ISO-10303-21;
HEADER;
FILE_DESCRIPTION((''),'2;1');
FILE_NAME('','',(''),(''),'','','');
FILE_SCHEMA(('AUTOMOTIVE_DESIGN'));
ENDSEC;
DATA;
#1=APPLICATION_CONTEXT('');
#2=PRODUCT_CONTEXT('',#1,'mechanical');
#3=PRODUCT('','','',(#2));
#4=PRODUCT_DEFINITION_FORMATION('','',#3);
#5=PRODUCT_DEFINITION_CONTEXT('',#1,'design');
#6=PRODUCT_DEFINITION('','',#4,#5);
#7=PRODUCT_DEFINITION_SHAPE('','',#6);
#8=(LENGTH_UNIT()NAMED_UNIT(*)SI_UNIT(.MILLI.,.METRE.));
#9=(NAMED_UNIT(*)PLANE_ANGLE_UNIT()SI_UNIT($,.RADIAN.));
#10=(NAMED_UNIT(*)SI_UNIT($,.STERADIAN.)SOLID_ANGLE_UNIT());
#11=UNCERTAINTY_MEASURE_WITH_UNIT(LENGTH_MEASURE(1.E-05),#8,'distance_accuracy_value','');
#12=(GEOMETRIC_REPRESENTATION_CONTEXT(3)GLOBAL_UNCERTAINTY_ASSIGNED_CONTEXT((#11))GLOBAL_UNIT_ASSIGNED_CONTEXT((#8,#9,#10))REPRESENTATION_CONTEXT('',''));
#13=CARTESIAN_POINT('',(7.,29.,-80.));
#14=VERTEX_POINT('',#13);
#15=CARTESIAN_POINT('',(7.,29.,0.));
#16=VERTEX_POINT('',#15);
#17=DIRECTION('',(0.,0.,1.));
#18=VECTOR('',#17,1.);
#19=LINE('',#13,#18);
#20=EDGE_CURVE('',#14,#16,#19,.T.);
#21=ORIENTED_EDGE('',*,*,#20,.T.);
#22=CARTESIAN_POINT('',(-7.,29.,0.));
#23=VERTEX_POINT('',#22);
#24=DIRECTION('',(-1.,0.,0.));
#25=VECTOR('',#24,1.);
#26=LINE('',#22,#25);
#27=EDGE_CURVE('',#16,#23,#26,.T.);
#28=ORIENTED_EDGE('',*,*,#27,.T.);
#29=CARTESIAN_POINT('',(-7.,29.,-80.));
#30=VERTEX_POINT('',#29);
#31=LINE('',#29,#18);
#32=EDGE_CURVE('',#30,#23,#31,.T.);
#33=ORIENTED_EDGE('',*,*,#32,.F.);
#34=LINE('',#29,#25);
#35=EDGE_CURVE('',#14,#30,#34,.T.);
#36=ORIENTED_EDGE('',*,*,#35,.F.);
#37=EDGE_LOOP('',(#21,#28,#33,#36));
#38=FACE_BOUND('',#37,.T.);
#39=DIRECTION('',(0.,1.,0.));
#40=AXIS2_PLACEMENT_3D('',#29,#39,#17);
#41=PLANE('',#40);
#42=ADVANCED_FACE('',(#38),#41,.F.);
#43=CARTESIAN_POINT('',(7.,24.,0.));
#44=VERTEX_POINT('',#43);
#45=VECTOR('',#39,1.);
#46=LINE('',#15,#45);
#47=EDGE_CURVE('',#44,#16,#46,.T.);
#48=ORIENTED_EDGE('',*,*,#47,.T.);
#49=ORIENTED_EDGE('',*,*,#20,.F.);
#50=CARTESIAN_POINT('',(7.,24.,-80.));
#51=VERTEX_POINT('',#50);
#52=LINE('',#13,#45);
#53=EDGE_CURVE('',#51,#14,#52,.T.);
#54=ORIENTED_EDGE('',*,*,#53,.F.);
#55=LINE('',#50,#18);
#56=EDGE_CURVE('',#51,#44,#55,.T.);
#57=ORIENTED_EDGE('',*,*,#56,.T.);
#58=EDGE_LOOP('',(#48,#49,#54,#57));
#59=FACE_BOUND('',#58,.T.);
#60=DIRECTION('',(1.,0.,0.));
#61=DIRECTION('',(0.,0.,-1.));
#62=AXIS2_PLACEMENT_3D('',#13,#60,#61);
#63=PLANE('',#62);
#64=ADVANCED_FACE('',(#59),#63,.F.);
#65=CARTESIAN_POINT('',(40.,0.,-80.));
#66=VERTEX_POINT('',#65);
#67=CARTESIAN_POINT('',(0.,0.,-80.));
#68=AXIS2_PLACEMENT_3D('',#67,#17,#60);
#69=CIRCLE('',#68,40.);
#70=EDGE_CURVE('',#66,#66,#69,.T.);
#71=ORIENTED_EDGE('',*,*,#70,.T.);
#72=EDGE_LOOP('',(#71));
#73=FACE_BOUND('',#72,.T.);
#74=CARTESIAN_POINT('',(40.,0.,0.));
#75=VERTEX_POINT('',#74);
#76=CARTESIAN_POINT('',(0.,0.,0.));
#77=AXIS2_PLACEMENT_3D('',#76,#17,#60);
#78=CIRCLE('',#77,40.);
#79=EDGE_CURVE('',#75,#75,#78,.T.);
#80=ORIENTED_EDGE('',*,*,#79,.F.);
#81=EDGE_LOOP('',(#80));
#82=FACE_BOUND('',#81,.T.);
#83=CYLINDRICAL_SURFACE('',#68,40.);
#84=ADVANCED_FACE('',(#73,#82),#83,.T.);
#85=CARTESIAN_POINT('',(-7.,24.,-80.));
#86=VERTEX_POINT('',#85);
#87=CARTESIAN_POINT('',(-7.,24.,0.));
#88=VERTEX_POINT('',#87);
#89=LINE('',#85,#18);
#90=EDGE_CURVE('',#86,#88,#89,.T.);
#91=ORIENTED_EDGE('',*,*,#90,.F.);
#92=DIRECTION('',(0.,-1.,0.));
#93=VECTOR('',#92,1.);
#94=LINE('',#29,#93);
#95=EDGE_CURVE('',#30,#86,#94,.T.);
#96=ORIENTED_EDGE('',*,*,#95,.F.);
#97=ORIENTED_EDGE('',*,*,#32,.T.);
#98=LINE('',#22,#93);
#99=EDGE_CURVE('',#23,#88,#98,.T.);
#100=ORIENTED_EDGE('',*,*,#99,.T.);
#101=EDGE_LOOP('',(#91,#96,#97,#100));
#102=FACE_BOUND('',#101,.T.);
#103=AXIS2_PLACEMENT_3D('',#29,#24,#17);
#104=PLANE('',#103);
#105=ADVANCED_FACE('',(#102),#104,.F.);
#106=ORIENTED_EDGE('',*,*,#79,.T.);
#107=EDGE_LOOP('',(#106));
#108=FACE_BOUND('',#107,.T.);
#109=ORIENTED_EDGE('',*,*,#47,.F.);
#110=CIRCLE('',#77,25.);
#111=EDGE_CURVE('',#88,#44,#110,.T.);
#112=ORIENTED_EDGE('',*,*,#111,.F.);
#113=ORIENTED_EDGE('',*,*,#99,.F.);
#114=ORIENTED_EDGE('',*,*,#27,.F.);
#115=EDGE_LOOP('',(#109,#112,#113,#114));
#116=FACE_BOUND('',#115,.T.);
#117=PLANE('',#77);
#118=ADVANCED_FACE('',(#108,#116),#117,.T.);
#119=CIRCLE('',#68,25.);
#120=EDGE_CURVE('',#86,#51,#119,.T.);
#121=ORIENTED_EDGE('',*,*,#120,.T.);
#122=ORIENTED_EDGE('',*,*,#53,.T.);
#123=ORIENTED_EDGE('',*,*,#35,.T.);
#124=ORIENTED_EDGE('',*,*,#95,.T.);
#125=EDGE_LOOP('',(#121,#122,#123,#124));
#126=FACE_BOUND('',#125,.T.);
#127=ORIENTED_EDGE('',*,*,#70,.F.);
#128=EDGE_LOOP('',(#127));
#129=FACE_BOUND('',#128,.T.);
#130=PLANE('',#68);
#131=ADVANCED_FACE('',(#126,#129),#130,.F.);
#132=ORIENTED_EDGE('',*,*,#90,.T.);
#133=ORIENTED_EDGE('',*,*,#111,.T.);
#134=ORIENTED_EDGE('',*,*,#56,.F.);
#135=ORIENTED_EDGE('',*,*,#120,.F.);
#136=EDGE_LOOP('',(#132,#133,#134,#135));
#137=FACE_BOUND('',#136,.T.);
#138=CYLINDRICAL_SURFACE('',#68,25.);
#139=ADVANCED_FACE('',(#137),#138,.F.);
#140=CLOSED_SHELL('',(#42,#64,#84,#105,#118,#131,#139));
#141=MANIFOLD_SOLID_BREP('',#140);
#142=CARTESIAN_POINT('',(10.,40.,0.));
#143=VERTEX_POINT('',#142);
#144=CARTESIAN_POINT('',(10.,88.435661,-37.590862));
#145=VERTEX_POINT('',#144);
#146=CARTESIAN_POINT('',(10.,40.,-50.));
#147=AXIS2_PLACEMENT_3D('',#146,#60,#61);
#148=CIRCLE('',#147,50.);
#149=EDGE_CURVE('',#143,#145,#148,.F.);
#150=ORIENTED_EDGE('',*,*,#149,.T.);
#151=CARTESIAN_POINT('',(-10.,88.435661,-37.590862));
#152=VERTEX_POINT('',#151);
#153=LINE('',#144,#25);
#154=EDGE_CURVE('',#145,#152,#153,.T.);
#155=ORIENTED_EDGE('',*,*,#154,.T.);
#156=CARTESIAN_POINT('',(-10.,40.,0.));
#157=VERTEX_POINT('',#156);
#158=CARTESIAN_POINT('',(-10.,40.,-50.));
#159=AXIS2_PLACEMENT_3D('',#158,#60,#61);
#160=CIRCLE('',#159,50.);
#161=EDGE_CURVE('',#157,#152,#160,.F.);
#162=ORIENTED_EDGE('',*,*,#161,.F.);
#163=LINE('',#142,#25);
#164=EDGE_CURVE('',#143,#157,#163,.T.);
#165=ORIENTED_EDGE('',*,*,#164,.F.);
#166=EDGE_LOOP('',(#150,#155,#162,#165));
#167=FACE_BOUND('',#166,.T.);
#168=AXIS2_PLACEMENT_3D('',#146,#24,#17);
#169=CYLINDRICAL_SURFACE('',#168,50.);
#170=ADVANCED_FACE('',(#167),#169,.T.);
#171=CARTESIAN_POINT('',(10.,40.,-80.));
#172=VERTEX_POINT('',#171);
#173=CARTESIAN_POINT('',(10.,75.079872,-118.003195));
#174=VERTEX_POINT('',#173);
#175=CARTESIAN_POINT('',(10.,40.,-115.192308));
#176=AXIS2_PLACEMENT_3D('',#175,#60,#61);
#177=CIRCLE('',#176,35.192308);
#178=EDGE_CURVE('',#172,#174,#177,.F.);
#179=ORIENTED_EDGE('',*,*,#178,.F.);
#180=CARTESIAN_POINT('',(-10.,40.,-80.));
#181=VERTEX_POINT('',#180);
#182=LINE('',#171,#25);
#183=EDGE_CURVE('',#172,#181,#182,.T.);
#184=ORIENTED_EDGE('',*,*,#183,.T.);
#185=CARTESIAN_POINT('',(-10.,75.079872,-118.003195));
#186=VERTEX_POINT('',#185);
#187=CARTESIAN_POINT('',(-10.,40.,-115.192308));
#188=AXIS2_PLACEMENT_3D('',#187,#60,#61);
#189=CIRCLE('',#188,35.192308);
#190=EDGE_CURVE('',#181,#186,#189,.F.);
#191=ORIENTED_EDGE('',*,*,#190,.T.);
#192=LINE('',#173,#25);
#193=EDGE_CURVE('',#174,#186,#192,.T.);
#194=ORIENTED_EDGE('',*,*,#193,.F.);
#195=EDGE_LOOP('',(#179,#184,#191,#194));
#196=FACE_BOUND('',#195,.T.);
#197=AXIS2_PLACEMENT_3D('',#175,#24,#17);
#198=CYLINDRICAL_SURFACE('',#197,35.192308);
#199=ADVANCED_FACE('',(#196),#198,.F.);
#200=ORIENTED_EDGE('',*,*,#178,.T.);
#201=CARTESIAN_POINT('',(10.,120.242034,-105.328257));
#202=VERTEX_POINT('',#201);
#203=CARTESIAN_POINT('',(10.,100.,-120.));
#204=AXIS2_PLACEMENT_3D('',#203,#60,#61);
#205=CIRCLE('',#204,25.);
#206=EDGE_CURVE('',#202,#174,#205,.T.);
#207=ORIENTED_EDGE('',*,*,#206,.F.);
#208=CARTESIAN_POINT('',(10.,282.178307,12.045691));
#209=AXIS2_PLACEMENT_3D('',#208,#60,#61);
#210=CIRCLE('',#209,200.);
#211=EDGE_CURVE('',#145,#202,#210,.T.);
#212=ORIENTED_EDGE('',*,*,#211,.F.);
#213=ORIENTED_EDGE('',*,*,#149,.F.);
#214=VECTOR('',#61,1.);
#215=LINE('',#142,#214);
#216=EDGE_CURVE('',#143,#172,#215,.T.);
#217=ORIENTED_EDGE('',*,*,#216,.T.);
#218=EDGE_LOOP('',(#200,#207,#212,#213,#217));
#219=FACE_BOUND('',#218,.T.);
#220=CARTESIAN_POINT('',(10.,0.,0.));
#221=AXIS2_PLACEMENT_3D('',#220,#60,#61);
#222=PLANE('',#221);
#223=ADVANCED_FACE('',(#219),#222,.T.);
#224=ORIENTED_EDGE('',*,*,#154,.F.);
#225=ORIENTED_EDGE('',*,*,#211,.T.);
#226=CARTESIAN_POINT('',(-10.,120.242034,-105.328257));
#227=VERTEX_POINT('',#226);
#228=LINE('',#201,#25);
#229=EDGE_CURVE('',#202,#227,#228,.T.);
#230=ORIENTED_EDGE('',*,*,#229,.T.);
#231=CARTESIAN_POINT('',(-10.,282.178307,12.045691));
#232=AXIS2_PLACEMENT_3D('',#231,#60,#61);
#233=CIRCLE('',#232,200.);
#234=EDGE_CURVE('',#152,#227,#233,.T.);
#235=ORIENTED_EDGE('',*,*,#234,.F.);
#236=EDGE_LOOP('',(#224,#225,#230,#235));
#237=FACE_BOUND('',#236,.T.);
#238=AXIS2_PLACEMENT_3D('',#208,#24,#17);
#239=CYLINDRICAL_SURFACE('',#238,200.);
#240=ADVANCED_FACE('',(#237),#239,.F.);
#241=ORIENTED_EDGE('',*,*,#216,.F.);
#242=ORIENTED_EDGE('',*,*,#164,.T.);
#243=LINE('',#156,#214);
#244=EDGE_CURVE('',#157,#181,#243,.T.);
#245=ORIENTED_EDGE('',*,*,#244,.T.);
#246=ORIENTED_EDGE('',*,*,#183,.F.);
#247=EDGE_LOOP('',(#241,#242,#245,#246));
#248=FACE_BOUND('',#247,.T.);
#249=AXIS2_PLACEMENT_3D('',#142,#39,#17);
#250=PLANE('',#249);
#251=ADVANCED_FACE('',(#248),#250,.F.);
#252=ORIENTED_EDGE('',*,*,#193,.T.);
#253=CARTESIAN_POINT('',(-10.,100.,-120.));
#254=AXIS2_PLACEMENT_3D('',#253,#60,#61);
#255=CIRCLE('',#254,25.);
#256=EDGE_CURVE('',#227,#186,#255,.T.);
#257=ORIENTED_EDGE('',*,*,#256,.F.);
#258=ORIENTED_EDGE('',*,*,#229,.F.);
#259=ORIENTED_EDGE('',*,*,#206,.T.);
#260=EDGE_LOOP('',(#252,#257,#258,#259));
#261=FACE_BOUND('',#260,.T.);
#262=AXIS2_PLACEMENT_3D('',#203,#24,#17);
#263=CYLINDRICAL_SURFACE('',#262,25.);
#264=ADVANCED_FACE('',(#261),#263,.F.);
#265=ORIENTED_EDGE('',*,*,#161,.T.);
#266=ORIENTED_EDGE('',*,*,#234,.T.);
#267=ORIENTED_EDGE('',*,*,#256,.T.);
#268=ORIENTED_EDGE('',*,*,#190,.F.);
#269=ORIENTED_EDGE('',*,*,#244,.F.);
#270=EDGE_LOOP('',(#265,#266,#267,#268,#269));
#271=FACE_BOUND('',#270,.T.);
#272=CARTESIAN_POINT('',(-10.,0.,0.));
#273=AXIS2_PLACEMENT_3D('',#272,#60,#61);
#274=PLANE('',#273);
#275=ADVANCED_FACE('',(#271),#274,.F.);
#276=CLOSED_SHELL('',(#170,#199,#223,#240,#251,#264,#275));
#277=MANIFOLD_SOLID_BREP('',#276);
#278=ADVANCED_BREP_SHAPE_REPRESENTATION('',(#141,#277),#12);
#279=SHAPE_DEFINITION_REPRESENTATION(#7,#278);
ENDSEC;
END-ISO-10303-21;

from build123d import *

# Parameters (mm, degrees)
SKETCH1_R           = 40
BOSS_EXTRUDE1_DEPTH = 80
BOSS_EXTRUDE2_DEPTH = 10


with BuildPart() as part:
    # Sketch1 → Boss-Extrude1 (new body)
    with BuildSketch(Plane.XY):
        Circle(SKETCH1_R)
        with BuildLine():
            Line((-7, 29), (7, 29))
            Line((7, 29), (7, 24))
            ThreePointArc((7, 24), (0, -25), (-7, 24))
            Line((-7, 24), (-7, 29))
        make_face(mode=Mode.SUBTRACT)
    extrude(amount=-BOSS_EXTRUDE1_DEPTH)


with BuildPart() as body_2:
    # Sketch2 → Boss-Extrude2 (new, symmetric)
    with BuildSketch(Plane(origin=(0, 0, 0), x_dir=(0, 0, -1), z_dir=(1, 0, 0))):
        with BuildLine():
            ThreePointArc((37.590861727, 88.435661318), (10.500272699, 70.655693487), (0, 40))
            Line((0, 40), (80, 40))
            ThreePointArc((80, 40), (91.322065693, 65.859428989), (118.003195099, 75.079872188))
            ThreePointArc((118.003195099, 75.079872188), (95.929990804, 93.244657129), (105.328256515, 120.242034066))
            ThreePointArc((105.328256515, 120.242034066), (72.960415449, 101.142504042), (37.590861727, 88.435661318))
        make_face()
    extrude(amount=BOSS_EXTRUDE2_DEPTH, both=True)


solid = Compound([part.part, body_2.part])
